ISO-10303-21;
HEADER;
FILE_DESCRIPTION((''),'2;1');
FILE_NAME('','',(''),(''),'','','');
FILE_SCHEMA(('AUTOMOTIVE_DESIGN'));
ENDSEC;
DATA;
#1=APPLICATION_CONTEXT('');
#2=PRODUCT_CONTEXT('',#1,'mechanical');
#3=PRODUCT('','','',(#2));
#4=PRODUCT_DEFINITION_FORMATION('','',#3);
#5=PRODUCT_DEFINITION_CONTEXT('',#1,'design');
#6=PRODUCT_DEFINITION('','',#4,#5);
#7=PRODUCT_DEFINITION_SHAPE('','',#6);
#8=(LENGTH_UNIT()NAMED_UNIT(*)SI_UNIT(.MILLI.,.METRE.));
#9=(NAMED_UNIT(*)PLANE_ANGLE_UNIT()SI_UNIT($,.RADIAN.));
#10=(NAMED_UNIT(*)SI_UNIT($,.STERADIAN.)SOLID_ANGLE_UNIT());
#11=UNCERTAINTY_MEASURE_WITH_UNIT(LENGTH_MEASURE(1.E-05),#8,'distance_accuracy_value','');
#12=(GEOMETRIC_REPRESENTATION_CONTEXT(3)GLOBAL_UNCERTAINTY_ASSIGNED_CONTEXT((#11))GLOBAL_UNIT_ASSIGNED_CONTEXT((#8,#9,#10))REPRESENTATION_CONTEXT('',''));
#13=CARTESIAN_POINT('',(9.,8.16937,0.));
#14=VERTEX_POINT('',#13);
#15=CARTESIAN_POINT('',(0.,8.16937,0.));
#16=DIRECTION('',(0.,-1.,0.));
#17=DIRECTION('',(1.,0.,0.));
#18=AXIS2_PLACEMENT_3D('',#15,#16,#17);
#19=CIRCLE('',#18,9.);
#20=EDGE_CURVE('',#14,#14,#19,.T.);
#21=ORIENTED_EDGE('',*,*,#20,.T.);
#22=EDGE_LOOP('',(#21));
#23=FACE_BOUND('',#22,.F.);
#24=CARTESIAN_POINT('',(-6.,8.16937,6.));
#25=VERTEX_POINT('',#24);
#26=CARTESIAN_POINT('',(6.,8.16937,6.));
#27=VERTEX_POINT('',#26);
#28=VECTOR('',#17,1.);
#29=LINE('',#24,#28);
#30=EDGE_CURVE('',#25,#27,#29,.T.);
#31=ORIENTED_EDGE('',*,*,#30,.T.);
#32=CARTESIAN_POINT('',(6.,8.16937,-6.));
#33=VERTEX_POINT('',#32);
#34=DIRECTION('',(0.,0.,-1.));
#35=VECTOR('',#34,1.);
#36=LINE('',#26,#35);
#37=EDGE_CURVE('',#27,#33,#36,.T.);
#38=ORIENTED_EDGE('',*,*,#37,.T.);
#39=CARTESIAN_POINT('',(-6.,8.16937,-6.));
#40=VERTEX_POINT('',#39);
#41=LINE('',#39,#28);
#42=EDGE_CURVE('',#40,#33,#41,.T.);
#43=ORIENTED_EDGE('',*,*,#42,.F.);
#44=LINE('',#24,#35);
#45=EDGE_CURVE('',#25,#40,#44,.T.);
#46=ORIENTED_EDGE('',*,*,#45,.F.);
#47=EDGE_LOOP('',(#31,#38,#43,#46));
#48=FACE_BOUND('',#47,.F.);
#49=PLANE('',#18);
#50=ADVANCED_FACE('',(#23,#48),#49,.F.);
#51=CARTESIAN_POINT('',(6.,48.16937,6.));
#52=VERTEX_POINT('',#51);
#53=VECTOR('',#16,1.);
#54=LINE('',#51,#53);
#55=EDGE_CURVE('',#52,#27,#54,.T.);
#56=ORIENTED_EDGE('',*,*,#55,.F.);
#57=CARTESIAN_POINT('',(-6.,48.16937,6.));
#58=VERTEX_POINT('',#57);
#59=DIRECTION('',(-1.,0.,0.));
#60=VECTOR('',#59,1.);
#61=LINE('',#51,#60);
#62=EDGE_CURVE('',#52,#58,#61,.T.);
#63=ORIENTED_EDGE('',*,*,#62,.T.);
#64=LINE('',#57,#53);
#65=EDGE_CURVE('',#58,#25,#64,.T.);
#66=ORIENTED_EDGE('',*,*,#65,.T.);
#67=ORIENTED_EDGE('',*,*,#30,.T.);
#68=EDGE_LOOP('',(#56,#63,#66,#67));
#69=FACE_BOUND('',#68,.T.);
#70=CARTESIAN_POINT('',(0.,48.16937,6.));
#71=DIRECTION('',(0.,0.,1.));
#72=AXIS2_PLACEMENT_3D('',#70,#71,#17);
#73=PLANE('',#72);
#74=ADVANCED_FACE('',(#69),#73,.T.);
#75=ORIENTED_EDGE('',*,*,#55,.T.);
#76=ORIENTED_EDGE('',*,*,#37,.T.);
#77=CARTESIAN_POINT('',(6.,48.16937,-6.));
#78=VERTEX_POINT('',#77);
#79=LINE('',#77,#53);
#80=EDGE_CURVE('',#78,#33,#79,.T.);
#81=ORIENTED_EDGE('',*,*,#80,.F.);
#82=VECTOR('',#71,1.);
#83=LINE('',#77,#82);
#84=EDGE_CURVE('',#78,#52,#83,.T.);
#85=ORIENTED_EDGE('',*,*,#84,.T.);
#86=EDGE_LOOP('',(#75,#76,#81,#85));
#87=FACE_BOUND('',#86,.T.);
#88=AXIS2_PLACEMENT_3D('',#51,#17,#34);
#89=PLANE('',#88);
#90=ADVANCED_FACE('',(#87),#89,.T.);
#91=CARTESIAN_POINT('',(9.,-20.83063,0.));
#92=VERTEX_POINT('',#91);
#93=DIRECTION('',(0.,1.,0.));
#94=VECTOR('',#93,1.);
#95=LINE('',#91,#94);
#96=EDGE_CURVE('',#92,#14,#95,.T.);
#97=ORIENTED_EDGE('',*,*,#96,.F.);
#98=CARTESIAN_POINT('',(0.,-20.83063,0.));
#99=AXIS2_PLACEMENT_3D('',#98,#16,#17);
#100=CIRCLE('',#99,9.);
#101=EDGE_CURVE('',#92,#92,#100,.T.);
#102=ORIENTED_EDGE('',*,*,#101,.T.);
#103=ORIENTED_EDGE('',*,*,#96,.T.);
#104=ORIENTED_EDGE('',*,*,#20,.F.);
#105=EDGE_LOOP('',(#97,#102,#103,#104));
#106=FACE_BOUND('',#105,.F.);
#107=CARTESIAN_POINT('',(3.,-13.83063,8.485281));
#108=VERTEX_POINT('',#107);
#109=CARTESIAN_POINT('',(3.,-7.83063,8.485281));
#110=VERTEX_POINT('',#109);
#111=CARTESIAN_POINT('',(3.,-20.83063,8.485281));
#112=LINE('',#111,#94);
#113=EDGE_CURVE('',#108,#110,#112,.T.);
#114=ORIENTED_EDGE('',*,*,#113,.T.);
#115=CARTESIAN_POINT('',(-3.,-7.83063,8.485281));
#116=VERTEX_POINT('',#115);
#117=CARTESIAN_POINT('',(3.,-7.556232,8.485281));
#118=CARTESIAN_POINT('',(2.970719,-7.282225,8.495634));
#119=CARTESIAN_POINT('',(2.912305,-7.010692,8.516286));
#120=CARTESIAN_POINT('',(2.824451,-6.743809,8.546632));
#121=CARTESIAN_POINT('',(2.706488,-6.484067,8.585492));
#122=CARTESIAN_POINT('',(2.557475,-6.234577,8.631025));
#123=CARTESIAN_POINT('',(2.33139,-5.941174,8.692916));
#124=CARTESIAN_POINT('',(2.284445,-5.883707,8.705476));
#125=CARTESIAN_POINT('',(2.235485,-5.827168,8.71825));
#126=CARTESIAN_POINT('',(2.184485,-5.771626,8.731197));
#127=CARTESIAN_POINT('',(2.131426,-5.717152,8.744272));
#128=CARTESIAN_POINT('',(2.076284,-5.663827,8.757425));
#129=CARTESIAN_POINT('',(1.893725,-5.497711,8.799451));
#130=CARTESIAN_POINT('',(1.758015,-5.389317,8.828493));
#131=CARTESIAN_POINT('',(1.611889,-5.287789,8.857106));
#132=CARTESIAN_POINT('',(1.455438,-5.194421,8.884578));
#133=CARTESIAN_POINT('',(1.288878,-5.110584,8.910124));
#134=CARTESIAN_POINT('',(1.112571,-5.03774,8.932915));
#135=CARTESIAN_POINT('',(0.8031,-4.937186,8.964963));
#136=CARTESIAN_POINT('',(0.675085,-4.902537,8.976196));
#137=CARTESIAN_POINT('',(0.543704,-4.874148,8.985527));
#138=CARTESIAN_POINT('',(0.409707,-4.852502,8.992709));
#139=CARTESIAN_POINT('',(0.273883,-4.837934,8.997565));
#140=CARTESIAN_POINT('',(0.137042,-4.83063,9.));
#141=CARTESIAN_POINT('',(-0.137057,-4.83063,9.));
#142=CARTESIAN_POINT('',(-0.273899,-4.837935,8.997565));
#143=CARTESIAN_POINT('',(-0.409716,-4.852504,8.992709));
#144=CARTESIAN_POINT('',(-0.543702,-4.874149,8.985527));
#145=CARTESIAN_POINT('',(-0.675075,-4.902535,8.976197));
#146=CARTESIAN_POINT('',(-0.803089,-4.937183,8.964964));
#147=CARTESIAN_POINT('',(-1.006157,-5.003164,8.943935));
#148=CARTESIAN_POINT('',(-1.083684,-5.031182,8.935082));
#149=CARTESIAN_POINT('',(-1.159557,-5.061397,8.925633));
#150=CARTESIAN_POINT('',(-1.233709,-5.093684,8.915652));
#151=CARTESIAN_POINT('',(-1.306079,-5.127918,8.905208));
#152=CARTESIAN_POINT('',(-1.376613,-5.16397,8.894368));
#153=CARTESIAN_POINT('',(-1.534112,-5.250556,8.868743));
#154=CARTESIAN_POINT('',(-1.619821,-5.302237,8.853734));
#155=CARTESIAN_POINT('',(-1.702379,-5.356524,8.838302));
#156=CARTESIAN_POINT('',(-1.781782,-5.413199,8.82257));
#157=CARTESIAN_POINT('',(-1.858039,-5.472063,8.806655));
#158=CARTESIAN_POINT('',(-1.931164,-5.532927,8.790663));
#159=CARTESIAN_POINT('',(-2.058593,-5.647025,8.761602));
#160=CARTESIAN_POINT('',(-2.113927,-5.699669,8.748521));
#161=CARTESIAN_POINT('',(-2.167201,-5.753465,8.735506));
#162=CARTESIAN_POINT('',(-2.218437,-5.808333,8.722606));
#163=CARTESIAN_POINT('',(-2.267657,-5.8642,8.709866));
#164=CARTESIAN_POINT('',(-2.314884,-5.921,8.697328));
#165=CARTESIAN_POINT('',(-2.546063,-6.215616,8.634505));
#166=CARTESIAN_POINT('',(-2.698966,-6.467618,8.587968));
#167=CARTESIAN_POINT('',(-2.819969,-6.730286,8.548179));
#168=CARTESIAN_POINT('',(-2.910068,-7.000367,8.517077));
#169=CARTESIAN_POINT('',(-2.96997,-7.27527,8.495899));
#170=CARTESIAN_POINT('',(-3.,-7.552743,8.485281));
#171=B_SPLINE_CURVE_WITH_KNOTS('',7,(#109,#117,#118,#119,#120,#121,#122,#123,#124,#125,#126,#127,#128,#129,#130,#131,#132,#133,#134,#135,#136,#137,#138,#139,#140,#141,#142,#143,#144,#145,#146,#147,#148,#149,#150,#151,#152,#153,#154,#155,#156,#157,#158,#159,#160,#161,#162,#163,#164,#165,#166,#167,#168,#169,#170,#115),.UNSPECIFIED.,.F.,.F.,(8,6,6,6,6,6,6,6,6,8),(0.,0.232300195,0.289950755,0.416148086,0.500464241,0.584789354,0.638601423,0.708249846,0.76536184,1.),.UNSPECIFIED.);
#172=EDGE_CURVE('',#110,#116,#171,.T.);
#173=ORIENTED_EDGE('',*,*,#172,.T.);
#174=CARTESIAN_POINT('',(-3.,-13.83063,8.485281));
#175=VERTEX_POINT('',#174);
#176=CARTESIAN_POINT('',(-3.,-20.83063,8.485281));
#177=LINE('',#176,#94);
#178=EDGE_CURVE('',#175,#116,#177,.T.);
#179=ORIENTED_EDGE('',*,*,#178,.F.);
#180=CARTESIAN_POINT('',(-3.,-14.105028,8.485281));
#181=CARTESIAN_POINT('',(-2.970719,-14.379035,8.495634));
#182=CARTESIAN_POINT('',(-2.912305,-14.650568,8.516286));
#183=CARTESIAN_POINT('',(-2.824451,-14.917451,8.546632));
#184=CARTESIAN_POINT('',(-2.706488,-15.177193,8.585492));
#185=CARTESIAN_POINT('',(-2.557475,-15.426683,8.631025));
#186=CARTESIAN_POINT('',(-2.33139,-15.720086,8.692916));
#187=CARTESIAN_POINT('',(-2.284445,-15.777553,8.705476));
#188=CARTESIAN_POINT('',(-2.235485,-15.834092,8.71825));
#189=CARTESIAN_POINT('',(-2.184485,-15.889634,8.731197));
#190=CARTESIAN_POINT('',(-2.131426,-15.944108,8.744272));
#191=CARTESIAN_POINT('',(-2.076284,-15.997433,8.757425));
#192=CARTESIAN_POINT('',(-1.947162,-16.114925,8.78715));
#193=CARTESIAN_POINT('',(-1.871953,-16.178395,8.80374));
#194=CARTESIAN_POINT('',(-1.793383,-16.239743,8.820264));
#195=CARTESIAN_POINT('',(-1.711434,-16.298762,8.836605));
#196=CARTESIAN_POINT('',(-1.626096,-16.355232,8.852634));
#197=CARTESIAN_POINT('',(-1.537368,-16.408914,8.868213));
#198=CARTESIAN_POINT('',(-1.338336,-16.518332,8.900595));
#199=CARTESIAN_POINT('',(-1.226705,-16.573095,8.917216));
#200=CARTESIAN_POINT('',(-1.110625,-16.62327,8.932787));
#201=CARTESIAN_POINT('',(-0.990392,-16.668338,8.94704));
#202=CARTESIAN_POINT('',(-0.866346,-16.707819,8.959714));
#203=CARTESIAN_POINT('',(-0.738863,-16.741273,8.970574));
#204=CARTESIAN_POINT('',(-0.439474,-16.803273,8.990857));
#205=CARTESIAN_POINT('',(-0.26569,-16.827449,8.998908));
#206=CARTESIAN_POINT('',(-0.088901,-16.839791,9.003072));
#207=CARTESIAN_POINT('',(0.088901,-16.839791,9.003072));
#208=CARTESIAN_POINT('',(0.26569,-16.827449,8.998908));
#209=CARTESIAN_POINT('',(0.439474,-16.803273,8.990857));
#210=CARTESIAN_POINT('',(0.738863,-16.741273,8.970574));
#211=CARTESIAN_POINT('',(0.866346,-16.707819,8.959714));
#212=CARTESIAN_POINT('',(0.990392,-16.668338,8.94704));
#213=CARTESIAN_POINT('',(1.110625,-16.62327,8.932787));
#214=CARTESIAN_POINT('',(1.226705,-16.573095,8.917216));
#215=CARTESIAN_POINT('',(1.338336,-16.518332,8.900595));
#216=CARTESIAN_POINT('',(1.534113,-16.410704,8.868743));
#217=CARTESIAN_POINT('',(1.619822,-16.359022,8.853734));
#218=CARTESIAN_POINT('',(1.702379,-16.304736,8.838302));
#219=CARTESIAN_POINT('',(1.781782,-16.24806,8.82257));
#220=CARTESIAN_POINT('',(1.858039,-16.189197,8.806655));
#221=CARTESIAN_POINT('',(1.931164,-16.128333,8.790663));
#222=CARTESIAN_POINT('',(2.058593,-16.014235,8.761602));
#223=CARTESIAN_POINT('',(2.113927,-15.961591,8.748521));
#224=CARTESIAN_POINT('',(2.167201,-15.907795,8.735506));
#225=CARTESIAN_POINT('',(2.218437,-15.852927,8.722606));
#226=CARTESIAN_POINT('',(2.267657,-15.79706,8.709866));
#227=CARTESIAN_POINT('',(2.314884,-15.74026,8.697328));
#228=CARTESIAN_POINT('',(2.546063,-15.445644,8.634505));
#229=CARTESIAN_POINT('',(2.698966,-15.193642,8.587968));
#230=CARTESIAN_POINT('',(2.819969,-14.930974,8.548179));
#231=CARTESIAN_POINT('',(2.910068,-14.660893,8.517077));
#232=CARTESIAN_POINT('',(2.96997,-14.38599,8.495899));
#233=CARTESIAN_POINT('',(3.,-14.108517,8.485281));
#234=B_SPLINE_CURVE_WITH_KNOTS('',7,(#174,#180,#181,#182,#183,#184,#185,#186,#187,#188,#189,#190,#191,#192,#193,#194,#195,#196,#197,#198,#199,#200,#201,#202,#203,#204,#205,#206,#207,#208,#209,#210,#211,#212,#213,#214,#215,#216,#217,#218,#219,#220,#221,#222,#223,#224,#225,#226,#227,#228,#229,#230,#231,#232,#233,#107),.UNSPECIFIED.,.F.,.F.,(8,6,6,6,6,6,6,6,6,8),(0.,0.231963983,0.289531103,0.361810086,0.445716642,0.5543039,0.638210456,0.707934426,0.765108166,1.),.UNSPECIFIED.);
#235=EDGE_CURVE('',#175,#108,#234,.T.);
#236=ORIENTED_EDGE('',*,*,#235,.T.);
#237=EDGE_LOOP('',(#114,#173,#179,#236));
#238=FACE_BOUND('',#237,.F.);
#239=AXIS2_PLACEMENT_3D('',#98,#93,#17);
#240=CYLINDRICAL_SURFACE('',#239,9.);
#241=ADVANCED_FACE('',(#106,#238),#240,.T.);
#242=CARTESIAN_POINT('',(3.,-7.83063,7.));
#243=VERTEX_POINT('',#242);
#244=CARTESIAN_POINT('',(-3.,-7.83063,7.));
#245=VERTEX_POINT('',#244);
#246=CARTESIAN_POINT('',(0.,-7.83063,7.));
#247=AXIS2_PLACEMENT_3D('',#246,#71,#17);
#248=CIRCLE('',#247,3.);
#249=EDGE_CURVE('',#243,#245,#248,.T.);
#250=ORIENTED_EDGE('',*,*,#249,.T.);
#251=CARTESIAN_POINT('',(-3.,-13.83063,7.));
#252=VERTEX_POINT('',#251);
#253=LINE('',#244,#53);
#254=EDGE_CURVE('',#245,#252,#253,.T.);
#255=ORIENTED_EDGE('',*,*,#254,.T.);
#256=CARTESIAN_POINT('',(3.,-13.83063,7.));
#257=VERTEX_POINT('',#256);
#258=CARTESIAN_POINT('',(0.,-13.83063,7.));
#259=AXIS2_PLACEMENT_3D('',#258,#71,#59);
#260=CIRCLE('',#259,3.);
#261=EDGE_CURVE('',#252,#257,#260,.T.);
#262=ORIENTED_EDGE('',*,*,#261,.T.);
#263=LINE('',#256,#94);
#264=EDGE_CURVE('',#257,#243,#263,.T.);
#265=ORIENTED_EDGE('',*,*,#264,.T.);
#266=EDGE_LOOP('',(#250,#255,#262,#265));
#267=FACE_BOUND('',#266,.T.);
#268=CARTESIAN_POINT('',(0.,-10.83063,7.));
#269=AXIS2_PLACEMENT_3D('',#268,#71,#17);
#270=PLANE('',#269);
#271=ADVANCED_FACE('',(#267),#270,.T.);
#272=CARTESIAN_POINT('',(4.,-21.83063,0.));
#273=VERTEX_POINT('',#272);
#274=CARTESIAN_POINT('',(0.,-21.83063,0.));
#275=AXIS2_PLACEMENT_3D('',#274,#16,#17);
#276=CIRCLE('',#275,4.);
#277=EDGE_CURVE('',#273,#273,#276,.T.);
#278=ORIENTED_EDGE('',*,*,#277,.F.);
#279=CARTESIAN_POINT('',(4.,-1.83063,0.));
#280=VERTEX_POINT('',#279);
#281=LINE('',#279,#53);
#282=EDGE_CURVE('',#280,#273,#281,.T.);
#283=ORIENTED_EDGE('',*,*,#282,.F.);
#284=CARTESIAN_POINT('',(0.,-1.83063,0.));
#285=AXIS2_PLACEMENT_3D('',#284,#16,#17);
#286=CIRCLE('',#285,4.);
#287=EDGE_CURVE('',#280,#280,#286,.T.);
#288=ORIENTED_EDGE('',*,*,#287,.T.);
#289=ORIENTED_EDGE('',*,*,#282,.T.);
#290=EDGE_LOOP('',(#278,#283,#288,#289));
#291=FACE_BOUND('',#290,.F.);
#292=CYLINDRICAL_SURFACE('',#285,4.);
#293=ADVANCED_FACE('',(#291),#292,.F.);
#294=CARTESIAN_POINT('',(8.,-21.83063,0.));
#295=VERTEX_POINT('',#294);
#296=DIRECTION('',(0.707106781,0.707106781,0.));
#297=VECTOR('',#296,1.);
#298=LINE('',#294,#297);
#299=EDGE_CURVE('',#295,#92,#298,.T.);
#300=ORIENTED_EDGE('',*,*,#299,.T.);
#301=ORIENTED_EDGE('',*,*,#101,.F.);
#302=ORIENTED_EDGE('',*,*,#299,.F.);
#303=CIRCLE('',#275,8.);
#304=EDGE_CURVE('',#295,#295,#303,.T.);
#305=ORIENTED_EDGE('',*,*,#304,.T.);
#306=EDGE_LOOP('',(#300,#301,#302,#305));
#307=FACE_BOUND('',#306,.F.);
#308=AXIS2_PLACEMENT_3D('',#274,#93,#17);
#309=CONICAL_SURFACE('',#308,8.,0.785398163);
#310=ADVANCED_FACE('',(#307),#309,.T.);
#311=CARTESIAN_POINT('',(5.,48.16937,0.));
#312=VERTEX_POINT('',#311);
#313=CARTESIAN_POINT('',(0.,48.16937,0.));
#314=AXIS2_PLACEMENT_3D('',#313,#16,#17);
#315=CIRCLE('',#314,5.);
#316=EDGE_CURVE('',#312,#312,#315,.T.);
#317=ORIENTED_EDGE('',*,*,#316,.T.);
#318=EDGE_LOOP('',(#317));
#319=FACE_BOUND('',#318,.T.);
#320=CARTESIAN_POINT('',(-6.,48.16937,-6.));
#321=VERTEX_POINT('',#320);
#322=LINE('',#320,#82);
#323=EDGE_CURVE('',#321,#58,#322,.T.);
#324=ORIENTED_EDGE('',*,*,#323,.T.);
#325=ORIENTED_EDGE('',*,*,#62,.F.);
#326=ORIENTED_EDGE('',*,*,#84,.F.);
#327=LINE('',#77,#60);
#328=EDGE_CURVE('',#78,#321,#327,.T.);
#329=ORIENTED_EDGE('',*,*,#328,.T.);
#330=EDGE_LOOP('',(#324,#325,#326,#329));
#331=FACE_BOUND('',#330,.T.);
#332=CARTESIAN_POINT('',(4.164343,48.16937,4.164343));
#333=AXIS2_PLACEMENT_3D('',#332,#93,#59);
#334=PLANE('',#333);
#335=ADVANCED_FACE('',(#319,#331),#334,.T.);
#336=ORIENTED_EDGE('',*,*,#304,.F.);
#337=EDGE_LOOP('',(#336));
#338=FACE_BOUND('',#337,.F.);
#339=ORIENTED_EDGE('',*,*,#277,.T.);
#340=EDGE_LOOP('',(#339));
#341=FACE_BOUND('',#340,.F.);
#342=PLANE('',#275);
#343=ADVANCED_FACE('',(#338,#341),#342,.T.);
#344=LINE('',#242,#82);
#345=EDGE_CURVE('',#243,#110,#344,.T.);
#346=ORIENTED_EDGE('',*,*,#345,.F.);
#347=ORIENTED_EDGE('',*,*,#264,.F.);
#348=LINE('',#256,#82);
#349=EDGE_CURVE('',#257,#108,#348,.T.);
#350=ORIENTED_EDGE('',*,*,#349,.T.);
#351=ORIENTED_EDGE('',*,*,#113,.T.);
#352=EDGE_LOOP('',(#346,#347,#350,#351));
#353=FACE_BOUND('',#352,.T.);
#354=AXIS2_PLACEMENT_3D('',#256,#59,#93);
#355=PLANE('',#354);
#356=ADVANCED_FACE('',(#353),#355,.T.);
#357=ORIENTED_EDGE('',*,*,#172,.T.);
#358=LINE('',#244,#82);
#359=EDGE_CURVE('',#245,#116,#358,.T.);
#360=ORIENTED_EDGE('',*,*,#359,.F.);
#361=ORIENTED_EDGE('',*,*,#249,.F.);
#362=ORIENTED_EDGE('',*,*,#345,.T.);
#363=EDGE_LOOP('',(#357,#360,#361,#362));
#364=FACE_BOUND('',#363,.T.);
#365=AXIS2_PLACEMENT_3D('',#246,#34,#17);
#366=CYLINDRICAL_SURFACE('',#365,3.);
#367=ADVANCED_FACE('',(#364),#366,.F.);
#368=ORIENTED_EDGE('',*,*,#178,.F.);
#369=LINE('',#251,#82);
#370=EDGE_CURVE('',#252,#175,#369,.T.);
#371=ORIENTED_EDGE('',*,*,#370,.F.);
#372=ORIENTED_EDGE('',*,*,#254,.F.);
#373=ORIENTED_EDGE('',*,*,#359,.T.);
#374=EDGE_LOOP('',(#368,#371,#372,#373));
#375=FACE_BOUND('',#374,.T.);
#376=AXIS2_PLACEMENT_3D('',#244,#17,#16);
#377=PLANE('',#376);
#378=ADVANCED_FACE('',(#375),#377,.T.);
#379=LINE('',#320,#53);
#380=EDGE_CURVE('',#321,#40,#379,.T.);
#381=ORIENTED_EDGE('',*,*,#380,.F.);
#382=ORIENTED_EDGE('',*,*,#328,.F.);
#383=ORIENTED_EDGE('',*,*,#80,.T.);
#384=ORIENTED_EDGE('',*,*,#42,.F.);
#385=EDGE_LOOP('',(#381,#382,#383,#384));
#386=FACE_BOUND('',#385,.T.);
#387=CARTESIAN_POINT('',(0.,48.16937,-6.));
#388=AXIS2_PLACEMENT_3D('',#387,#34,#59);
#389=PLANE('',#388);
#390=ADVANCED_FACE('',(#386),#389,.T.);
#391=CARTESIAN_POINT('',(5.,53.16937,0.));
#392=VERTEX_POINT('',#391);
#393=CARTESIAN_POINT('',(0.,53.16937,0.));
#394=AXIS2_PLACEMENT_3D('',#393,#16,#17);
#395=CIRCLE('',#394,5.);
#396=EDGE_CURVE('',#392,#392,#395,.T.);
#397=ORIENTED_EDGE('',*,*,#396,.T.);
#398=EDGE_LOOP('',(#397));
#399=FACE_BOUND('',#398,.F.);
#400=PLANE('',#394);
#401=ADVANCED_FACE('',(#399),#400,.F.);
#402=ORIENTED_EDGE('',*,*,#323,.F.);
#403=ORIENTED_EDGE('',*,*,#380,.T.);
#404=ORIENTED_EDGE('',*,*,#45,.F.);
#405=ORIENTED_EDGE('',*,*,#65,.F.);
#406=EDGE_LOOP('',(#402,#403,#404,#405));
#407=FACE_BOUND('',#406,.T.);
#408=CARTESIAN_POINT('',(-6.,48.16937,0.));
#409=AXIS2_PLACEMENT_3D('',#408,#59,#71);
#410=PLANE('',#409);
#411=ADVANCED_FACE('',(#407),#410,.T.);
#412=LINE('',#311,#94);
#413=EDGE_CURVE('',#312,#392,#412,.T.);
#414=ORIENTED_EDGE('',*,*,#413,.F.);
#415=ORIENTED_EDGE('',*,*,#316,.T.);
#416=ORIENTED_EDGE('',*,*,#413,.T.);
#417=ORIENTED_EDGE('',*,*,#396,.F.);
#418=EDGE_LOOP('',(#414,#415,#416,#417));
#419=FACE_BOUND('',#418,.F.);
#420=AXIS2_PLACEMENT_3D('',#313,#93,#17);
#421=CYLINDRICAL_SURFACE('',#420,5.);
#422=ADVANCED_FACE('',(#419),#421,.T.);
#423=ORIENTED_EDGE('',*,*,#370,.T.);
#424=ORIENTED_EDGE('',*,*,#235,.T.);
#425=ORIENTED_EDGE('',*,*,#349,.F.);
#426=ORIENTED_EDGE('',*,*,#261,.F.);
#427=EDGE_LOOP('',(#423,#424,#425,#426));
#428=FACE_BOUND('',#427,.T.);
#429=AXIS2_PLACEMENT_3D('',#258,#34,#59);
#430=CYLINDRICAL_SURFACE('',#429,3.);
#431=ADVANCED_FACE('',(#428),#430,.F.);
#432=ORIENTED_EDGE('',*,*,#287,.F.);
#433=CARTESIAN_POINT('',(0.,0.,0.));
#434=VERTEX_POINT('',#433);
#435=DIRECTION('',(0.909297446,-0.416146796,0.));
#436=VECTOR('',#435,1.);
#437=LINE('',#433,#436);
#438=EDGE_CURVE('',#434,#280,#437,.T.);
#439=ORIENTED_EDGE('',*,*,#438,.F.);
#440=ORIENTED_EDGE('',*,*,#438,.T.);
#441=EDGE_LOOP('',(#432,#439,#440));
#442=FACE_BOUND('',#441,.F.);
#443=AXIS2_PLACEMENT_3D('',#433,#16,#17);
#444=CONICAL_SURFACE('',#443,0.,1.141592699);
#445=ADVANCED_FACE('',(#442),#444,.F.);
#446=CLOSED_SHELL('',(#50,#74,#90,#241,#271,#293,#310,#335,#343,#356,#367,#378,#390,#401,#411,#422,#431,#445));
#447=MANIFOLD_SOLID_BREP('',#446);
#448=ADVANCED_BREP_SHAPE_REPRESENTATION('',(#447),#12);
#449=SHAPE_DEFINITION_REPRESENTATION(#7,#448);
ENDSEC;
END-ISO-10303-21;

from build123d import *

# Parameters (mm, degrees)
F4_DEPTH = 25
F6_DEPTH = 40


with BuildPart() as f1:
    # F0 (on Top) → F1 (revolve)
    with BuildSketch(Plane.XY):
        Polygon((5, 53.16937), (0, 53.16937), (0, 0), (4, -1.83063), (4, -6.83063), (4, -21.83063), (8, -21.83063), (9, -20.83063), (9, 8.16937), (6, 8.16937), (6, 48.16937), (5, 48.16937), align=None)
    revolve(axis=Axis((0, 26.584685, 0), (0, -1, 0)))

    # F3 (on offset) → F4 (cut)
    with BuildSketch(Plane.XY.offset(7)):
        with BuildLine():
            ThreePointArc((-3, -13.83063), (0, -16.83063), (3, -13.83063))
            Line((3, -13.83063), (3, -7.83063))
            ThreePointArc((3, -7.83063), (0, -4.83063), (-3, -7.83063))
            Line((-3, -7.83063), (-3, -13.83063))
        make_face()
    extrude(amount=F4_DEPTH, mode=Mode.SUBTRACT)

    # F5 (on face) → F6 (join, through all)
    with BuildSketch(Plane(origin=(0, 48.16937, 0), x_dir=(-1, 0, 0), z_dir=(0, 1, 0))):
        with BuildLine():
            Line((0, 6), (-6, 6))
            Line((-6, 6), (-6, 0))
            ThreePointArc((-6, 0), (-4.242641, 4.242641), (0, 6))
        make_face()
        with BuildLine():
            ThreePointArc((0, -6), (-4.242641, -4.242641), (-6, 0))
            Line((-6, 0), (-6, -6))
            Line((-6, -6), (0, -6))
        make_face()
        with BuildLine():
            Line((6, -6), (6, 0))
            ThreePointArc((6, 0), (4.242641, -4.242641), (0, -6))
            Line((0, -6), (6, -6))
        make_face()
        with BuildLine():
            Line((6, 6), (0, 6))
            ThreePointArc((0, 6), (4.242641, 4.242641), (6, 0))
            Line((6, 0), (6, 6))
        make_face()
    extrude(amount=-F6_DEPTH)


solid = f1.part
